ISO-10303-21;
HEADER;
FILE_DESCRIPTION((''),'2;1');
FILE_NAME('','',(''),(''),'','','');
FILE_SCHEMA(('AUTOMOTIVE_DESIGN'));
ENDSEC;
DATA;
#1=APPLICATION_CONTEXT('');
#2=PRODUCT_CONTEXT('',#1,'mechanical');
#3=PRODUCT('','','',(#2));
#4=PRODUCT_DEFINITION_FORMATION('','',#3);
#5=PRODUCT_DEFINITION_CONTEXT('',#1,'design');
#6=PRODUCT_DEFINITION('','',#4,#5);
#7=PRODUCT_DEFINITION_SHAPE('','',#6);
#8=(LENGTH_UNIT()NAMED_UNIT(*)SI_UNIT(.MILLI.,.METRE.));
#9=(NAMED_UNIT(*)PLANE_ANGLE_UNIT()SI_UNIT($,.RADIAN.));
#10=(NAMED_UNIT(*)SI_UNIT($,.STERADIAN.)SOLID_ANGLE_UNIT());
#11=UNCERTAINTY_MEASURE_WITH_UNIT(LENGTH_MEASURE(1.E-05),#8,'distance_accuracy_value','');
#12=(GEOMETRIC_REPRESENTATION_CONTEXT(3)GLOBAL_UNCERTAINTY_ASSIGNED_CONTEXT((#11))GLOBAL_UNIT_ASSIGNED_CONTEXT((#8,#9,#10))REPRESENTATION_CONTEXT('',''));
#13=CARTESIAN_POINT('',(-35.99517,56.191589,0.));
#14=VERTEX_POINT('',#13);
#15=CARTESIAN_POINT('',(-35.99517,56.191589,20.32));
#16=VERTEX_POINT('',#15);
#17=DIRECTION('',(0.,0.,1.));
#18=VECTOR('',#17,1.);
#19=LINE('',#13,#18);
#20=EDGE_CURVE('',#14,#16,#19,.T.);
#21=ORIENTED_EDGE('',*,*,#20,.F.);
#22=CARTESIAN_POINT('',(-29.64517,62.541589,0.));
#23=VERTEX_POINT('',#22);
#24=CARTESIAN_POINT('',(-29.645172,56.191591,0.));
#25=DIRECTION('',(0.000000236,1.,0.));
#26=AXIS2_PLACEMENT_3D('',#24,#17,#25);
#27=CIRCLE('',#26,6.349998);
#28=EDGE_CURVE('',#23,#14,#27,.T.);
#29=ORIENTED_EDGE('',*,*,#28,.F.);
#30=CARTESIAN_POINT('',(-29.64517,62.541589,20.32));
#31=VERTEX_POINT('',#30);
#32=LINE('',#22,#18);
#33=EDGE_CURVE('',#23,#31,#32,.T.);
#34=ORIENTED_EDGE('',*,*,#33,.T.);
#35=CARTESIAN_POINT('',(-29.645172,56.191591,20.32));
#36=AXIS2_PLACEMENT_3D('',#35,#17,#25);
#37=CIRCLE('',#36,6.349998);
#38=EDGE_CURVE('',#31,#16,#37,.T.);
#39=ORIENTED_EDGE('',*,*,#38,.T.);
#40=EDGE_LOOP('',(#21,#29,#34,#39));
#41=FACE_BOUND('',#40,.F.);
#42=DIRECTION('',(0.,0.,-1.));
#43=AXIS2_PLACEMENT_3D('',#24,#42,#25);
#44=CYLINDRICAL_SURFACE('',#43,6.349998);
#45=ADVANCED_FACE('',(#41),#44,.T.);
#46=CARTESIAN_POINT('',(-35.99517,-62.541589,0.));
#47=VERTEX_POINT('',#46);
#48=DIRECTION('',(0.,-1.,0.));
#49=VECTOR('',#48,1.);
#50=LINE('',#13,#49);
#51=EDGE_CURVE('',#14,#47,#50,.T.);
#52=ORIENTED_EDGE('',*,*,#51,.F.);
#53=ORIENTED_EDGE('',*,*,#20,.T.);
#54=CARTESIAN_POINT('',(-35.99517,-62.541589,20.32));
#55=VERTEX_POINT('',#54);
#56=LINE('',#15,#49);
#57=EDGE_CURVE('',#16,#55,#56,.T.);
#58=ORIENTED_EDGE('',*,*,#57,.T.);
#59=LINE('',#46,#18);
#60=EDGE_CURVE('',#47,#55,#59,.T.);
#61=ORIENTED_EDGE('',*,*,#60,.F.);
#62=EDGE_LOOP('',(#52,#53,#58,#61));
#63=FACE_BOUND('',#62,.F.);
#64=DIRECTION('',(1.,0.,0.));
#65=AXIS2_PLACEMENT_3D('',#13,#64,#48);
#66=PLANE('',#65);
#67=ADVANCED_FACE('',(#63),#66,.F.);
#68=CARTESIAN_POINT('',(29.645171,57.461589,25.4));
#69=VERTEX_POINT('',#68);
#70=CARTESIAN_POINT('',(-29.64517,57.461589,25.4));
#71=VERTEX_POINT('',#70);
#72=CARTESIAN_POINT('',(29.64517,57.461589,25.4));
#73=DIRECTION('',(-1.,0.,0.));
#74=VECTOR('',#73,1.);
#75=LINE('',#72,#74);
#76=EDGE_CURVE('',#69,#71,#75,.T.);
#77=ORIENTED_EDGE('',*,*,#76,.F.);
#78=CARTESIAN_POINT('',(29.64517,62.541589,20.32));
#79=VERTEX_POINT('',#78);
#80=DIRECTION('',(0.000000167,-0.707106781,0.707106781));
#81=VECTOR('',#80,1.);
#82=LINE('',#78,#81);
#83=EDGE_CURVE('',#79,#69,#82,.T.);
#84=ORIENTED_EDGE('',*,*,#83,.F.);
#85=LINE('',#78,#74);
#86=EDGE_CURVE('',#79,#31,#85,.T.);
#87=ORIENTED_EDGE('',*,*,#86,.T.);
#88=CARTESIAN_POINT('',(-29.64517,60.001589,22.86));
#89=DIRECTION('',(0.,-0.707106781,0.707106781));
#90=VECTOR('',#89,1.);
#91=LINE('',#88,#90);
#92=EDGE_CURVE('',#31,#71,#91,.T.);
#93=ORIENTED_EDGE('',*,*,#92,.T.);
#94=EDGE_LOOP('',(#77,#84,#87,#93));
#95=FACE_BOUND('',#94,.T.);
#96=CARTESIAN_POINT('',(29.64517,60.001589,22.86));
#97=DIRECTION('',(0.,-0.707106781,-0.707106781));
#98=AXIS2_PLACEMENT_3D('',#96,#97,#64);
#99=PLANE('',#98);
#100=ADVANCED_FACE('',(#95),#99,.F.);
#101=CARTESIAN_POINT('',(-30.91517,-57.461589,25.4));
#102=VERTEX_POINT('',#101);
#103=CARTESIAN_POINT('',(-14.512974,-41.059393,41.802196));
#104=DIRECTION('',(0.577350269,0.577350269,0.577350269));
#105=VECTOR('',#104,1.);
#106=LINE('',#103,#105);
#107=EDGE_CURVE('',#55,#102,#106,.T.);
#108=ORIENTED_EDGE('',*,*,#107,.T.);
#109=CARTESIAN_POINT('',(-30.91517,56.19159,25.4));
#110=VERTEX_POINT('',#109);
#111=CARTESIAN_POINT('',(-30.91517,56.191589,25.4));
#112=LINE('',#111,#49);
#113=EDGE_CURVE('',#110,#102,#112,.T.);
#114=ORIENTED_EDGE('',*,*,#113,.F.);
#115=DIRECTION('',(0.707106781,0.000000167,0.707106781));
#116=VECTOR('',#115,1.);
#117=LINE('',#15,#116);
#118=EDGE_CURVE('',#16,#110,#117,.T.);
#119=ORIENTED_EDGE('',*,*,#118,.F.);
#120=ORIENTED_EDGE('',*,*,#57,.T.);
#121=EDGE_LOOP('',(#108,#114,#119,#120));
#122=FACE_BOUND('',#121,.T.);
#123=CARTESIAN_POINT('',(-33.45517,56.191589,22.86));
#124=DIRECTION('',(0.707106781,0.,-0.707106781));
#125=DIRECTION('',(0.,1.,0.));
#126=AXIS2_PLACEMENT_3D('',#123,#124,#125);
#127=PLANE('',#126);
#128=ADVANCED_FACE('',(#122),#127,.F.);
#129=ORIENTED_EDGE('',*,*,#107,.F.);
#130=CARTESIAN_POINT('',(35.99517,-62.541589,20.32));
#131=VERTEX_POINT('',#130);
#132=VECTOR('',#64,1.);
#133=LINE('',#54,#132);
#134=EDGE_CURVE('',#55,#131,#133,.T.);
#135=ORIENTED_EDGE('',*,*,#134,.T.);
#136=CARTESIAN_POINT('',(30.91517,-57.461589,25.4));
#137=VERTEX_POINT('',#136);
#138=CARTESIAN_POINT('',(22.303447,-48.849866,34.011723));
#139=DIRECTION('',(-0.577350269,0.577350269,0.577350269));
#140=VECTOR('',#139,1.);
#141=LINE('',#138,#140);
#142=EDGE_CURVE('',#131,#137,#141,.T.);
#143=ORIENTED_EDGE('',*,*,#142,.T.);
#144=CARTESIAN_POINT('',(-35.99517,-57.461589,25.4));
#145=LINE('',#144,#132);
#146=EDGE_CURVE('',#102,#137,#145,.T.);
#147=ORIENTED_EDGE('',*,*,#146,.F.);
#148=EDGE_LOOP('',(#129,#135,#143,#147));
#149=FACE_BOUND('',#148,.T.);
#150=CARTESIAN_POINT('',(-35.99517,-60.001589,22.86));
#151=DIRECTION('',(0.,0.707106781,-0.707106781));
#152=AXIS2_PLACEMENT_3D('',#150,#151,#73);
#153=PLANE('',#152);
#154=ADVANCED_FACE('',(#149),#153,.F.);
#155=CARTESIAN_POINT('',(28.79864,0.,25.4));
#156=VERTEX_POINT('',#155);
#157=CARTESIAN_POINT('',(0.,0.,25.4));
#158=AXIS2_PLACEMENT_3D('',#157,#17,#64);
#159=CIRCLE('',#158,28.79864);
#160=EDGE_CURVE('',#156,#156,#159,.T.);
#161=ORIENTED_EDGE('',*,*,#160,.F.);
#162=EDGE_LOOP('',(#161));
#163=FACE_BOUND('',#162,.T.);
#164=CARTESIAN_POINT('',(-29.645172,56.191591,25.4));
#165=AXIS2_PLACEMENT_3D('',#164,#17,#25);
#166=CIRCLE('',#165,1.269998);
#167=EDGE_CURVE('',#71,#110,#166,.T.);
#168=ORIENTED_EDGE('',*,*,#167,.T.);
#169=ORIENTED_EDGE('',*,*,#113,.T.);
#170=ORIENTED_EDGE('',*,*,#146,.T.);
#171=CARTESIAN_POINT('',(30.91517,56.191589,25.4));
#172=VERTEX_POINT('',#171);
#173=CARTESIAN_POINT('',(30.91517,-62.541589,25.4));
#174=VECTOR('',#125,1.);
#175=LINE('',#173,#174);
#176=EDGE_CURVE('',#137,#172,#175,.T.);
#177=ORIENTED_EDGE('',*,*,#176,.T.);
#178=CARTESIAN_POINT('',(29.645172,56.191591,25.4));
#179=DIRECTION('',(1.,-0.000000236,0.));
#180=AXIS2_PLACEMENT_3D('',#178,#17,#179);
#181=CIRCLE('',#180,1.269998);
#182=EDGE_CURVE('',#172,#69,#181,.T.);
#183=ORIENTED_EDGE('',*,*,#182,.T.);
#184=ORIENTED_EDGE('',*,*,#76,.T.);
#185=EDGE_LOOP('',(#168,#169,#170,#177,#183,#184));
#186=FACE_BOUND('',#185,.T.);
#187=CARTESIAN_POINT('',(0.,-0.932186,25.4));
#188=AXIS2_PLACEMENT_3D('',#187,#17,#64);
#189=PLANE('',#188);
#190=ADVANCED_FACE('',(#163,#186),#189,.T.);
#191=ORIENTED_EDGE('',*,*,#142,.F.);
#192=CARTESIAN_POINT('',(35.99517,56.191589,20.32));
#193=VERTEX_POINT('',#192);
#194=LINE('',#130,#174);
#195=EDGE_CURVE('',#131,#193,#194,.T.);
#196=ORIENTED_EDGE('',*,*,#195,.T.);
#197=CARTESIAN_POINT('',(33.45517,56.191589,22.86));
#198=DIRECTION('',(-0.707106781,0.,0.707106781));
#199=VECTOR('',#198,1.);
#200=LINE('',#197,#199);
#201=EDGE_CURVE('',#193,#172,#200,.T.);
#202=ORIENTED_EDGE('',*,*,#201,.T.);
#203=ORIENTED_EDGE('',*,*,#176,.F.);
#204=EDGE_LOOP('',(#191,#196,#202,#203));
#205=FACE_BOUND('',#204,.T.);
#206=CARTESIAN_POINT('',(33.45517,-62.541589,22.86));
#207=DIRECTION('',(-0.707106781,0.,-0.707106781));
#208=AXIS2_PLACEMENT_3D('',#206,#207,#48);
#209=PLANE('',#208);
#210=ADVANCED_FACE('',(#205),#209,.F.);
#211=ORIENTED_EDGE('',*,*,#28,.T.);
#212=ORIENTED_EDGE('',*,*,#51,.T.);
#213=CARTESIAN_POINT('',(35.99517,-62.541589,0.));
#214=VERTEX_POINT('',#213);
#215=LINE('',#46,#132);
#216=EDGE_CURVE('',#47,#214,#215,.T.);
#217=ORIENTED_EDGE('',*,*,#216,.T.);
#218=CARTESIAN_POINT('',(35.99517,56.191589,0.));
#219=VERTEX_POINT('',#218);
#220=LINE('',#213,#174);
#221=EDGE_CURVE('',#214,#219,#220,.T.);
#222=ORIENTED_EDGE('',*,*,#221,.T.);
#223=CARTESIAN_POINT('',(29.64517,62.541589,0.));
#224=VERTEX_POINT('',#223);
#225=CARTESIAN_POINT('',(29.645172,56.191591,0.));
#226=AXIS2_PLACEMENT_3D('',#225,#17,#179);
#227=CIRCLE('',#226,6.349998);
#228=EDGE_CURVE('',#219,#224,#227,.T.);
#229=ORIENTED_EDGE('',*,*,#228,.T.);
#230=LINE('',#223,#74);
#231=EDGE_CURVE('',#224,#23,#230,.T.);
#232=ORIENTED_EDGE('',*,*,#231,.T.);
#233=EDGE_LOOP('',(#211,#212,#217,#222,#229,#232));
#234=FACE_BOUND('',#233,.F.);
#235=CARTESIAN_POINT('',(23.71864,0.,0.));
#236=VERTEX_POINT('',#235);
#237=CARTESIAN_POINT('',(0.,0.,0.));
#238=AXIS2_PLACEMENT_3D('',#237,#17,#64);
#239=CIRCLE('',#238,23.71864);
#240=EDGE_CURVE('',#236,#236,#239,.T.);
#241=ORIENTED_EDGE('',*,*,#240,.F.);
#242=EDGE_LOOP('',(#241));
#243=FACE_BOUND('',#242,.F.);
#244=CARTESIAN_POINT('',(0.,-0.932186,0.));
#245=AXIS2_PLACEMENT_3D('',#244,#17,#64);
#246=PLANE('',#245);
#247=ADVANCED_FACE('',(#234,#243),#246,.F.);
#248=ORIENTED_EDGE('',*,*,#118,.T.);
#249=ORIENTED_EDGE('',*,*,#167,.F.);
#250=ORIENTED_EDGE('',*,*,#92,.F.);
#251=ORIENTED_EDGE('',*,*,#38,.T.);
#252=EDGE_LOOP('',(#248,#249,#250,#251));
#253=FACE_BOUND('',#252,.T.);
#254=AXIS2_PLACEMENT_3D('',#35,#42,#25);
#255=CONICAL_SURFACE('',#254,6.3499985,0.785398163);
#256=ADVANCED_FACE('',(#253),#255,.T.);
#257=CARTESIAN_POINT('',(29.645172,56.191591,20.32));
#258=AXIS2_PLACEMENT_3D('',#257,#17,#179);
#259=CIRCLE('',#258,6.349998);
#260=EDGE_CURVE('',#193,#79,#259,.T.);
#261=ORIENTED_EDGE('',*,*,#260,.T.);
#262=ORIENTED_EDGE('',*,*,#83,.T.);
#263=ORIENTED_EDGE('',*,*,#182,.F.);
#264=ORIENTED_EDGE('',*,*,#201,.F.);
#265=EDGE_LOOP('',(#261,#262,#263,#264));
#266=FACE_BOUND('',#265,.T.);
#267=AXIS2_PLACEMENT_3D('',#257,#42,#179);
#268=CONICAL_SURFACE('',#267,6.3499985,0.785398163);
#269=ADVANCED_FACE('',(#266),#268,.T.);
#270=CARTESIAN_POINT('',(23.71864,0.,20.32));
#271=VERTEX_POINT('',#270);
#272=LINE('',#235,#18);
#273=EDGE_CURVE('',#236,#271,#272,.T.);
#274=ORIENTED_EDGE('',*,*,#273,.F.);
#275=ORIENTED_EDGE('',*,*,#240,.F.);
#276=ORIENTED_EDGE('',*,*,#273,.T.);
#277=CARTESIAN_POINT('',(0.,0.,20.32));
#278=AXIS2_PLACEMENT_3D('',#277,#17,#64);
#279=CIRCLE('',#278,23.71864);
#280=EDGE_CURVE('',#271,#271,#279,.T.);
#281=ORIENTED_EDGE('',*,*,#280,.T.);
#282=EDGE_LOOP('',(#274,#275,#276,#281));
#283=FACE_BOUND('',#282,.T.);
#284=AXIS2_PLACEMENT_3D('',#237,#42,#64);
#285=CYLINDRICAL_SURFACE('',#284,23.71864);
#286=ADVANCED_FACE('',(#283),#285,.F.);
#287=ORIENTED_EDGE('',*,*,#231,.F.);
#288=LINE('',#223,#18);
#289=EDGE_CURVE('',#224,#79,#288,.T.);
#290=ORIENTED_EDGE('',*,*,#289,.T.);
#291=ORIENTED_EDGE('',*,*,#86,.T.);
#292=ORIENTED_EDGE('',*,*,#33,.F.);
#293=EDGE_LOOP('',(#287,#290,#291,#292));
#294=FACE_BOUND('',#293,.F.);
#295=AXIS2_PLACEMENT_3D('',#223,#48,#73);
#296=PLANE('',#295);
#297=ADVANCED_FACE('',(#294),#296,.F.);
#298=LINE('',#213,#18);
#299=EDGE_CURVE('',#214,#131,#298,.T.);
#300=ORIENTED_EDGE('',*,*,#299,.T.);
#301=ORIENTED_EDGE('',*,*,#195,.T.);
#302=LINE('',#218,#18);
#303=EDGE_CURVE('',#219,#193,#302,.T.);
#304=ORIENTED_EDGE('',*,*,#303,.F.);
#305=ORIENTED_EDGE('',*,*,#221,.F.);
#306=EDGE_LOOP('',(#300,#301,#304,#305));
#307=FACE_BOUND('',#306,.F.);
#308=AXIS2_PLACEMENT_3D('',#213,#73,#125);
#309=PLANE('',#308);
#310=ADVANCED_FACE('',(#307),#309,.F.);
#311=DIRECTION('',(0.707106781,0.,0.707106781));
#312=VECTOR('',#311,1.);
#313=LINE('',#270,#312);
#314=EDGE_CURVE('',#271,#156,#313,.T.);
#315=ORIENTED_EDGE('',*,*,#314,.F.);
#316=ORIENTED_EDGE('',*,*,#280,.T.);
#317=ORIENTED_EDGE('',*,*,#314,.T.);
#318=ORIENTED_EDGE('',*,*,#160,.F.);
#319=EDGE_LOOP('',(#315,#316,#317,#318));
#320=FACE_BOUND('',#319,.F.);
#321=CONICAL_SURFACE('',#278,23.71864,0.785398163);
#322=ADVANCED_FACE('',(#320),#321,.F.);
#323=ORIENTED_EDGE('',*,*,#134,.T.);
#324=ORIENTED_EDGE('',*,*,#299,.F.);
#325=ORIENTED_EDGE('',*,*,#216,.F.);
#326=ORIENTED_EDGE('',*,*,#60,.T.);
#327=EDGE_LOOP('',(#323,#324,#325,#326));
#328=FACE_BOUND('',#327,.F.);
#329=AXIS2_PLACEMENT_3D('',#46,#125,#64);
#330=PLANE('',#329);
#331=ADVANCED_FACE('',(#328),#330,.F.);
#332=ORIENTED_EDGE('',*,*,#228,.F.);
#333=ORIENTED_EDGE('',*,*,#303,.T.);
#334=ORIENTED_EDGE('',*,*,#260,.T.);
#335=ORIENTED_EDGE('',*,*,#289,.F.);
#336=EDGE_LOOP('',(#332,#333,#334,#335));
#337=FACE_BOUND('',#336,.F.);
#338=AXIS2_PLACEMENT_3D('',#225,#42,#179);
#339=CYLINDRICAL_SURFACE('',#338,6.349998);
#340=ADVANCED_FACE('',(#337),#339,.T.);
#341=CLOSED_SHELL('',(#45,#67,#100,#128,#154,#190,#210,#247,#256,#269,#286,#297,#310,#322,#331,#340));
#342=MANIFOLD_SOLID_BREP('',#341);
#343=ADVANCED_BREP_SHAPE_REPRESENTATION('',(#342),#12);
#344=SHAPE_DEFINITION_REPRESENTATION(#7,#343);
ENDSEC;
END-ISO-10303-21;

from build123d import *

# Parameters (mm, degrees)
F0_R     = 23.71864
F1_DEPTH = 25.4
F2_SIZE2 = 5.08
F2_SIZE  = 5.08


with BuildPart() as f1:
    # F0 (on Top) → F1 (new body)
    with BuildSketch(Plane.XY):
        with BuildLine():
            Line((-35.99517, -62.541589), (35.99517, -62.541589))
            Line((35.99517, -62.541589), (35.99517, 56.191589))
            ThreePointArc((35.99517, 56.191589), (34.135299, 60.681717), (29.64517, 62.541589))
            Line((29.64517, 62.541589), (-29.64517, 62.541589))
            ThreePointArc((-29.64517, 62.541589), (-34.135299, 60.681717), (-35.99517, 56.191589))
            Line((-35.99517, 56.191589), (-35.99517, -62.541589))
        make_face()
        Circle(F0_R, mode=Mode.SUBTRACT)
    extrude(amount=F1_DEPTH)

    # F2
    f2_edges = [f1.edges().sort_by_distance(p)[0] for p in [
        (-35.99517, -3.175, 25.4),
        (0, -62.541589, 25.4),
        (35.99517, -3.175, 25.4),
        (34.135299, 60.681717, 25.4),
        (0, 62.541589, 25.4),
        (-34.135299, 60.681717, 25.4),
        (-23.71864, 0, 25.4),
    ]]
    chamfer(f2_edges, length=F2_SIZE, length2=F2_SIZE2)


solid = f1.part
